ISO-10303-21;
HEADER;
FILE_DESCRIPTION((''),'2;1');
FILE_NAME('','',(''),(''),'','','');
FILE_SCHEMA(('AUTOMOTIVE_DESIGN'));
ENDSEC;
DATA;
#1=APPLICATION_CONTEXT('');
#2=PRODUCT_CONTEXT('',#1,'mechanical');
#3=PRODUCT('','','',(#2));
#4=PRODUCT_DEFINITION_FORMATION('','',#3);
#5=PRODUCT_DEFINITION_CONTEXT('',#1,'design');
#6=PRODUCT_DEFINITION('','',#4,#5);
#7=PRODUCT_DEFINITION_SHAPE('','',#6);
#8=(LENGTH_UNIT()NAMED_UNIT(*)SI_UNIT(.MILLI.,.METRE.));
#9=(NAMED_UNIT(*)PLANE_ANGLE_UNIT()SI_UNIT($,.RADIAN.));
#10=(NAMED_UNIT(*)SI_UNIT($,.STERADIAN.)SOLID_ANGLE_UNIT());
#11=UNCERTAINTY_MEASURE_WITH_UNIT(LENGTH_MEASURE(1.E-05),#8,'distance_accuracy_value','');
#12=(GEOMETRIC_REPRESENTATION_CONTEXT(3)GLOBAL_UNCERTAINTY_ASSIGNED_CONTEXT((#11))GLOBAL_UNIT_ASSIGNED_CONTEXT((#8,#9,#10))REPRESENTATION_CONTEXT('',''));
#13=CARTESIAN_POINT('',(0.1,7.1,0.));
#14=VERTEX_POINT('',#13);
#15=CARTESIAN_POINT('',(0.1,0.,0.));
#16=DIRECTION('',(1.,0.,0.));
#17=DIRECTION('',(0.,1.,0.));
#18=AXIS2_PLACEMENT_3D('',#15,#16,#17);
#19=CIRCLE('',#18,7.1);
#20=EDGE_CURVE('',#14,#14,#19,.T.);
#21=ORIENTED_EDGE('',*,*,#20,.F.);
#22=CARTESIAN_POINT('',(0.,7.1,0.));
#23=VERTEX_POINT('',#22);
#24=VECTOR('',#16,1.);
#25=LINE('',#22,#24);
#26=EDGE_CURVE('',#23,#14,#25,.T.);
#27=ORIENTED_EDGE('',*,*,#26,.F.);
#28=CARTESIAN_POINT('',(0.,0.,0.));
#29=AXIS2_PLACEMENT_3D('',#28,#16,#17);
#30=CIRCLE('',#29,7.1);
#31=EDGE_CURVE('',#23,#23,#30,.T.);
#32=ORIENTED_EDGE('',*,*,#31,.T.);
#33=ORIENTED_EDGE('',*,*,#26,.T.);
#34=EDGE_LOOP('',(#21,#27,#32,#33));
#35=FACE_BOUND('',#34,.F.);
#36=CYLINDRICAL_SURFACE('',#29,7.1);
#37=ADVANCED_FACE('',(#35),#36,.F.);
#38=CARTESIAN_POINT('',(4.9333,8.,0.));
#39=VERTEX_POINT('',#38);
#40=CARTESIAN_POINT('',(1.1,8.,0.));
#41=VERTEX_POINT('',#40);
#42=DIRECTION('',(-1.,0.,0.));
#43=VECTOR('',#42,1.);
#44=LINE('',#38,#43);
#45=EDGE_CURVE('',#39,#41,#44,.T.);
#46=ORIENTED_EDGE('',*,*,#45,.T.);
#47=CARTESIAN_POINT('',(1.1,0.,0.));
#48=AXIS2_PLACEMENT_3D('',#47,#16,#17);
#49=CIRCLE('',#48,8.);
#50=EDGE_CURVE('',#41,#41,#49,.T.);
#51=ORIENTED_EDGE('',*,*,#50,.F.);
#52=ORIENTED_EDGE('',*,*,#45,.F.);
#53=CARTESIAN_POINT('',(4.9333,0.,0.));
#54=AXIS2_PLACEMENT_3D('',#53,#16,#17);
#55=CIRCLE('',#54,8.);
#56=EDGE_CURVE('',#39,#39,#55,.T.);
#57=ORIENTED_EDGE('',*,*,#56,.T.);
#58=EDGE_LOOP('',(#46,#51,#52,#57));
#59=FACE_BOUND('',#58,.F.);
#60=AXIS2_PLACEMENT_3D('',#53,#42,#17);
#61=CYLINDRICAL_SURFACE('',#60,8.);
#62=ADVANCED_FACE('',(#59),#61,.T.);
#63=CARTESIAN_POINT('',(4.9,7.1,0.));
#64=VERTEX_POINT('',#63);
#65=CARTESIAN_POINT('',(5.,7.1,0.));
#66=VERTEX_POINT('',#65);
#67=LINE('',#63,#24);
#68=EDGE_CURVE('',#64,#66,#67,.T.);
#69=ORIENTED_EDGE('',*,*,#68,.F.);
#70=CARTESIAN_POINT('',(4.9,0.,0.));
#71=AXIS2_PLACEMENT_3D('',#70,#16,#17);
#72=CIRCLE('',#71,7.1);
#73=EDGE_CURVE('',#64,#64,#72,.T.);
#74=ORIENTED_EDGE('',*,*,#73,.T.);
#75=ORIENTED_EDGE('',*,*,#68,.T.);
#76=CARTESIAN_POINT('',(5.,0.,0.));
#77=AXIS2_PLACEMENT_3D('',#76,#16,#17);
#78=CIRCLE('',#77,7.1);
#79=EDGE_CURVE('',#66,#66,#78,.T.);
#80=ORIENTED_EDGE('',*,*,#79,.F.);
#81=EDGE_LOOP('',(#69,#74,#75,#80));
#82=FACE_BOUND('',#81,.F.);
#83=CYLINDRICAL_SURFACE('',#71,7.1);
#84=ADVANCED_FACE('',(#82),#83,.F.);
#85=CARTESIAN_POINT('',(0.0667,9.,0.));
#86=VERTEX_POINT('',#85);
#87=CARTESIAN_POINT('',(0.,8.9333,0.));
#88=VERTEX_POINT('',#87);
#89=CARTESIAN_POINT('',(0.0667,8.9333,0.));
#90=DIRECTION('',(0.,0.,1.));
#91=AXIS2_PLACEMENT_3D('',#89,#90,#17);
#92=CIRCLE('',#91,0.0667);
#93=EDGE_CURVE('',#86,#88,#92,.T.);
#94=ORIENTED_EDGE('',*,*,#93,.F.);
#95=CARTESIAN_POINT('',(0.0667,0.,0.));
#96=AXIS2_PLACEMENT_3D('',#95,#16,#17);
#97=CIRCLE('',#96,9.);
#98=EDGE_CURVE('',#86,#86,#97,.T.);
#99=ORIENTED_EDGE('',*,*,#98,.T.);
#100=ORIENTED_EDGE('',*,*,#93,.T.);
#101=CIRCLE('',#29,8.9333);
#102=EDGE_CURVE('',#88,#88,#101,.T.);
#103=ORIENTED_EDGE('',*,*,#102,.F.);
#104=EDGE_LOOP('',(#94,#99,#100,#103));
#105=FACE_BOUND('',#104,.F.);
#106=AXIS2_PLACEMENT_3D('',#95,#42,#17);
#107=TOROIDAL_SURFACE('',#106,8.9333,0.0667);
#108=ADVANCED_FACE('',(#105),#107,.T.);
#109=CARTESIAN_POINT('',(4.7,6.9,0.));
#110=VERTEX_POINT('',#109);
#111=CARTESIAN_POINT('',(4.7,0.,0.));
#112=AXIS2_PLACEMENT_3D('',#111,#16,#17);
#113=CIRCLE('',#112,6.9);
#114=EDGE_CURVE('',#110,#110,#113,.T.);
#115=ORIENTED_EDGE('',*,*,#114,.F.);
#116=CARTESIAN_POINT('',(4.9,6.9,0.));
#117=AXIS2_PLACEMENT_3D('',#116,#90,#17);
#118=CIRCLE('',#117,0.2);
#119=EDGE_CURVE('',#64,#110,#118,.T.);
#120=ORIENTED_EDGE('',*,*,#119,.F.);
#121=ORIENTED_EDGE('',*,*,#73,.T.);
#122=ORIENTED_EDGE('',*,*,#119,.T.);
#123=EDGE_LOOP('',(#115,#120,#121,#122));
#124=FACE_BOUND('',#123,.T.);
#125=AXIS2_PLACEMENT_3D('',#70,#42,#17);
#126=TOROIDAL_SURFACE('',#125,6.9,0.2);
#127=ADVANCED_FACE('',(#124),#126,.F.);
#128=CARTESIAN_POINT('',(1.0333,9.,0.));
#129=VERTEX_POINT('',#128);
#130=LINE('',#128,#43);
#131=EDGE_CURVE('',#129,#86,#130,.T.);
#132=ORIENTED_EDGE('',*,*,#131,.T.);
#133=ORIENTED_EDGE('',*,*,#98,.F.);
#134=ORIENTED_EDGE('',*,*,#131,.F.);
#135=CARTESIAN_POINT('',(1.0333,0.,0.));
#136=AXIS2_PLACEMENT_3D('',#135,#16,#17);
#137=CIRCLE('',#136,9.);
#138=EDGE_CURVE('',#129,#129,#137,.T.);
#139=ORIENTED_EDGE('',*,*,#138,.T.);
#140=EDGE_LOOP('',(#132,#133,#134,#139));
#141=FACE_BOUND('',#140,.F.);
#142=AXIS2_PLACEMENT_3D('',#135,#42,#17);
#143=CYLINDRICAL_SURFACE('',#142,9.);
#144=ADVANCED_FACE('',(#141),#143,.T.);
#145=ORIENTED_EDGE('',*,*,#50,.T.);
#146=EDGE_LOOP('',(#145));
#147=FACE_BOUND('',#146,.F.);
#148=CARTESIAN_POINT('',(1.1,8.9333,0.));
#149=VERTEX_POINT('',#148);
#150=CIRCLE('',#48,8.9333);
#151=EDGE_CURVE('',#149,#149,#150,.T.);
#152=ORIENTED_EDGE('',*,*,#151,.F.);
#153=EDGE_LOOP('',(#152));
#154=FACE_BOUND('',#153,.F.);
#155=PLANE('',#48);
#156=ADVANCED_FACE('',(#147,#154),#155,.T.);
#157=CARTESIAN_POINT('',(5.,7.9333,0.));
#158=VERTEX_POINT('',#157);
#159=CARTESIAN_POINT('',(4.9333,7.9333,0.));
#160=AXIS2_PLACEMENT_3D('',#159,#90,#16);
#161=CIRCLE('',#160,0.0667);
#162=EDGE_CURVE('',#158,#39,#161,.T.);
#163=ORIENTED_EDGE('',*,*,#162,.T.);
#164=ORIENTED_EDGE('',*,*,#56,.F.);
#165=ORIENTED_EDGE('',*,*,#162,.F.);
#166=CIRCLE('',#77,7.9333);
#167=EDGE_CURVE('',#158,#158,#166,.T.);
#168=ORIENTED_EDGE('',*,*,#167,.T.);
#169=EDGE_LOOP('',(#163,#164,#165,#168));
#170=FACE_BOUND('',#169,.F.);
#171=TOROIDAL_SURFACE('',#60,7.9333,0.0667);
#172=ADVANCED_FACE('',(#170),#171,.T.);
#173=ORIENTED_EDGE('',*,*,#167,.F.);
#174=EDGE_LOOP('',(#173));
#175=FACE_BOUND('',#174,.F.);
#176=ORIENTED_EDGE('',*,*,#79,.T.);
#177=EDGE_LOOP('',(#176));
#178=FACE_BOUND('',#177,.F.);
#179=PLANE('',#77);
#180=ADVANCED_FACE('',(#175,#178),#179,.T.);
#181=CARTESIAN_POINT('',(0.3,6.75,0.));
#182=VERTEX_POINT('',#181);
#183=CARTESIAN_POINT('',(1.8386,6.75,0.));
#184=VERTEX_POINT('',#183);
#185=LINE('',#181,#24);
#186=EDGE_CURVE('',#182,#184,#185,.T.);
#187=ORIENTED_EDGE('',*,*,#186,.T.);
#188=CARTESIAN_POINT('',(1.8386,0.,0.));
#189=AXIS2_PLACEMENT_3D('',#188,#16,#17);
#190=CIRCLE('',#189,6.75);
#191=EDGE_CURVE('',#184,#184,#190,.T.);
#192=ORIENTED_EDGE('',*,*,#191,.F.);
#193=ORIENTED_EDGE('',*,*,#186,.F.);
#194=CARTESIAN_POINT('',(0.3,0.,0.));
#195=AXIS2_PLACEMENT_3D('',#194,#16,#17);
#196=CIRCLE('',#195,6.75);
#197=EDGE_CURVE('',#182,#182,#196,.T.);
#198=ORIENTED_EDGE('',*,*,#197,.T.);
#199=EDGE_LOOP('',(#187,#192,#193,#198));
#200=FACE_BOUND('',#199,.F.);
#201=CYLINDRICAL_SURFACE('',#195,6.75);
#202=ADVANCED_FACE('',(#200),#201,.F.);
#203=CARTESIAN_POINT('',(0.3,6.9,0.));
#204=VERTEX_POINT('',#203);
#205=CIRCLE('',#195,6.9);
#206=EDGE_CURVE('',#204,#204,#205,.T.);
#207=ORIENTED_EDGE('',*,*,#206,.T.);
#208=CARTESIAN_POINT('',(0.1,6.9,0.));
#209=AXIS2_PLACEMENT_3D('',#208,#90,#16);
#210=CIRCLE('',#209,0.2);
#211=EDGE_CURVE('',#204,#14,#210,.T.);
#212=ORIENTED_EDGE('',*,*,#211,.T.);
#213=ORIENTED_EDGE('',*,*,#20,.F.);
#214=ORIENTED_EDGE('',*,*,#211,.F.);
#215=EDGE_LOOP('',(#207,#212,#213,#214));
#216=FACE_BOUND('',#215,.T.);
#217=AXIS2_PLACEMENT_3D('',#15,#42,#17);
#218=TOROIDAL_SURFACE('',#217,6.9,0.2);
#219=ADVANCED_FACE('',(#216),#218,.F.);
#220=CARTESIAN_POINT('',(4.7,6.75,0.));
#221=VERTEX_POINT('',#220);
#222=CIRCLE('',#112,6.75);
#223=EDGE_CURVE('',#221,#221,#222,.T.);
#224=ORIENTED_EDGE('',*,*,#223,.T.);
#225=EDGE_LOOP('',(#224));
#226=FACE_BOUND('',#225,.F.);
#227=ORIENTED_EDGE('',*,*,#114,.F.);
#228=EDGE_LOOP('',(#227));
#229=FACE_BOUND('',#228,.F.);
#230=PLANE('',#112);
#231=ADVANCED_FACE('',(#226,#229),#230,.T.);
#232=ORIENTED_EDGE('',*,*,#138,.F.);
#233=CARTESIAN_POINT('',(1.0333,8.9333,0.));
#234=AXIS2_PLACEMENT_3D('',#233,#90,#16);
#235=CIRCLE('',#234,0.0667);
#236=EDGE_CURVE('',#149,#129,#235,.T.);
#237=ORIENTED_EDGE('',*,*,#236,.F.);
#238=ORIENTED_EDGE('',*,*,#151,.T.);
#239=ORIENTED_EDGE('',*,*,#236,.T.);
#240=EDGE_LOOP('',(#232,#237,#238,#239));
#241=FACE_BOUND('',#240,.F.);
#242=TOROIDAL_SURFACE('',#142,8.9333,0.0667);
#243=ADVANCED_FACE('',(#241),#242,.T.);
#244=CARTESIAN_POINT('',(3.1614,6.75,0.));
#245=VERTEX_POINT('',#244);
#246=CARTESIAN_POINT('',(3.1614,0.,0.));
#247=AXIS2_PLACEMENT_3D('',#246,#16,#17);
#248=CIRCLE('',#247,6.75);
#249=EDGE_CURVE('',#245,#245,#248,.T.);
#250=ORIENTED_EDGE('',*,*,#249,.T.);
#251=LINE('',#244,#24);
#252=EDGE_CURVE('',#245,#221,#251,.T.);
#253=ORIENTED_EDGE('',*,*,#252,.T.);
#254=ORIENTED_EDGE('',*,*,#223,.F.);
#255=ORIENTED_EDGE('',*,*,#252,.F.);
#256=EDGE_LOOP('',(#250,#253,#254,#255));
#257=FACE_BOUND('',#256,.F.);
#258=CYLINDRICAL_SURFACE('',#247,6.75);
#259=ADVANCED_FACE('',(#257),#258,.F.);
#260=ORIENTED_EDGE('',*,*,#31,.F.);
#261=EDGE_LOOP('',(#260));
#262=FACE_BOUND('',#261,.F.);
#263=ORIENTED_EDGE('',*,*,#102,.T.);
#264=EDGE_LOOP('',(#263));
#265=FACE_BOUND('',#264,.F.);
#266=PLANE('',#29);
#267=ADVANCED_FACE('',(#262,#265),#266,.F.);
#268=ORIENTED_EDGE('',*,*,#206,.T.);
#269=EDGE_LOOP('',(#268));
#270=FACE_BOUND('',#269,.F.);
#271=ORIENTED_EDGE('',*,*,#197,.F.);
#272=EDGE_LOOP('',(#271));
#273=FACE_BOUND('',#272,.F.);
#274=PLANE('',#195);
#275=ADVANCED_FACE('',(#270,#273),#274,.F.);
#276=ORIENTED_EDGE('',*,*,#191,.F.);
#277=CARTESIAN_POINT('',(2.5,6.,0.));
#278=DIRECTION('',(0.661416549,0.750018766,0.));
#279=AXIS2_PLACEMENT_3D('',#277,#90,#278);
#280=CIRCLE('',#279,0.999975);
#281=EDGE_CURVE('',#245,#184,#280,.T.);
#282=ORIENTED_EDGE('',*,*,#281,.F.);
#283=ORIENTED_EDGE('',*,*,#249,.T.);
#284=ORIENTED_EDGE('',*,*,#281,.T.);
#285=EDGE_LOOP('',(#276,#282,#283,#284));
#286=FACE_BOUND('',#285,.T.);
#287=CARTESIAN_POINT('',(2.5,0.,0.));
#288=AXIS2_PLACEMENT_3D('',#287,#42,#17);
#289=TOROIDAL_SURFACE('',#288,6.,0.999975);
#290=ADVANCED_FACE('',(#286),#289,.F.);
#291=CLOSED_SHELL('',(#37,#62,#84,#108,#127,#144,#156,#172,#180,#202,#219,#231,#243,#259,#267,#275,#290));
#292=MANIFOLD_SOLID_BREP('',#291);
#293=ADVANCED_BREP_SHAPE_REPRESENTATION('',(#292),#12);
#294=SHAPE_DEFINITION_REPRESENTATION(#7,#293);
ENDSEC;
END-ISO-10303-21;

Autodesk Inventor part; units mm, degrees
ref_plane "YZ Plane" through (0, 0, 0) normal (1, 0, 0) x (0, 1, 0)
ref_plane "XZ Plane" through (0, 0, 0) normal (0, 1, 0) x (-1, 0, 0)
ref_plane "XY Plane" through (0, 0, 0) normal (0, 0, 1) x (1, 0, 0)
sketch "Sketch_21" plane through (0, 0, 0) normal (0, 0, 1) x (1, 0, 0)
  line L0 (50, 0) -> (-50, 0)
  line L1 (0, 8.9333) -> (0, 7.1)
  line L2 (0, 7.1) -> (0.1, 7.1)
  arc A0 (0.3, 6.9) -> (0.1, 7.1) centre (0.1, 6.9) ccw
  line L3 (0.3, 6.9) -> (0.3, 6.75)
  line L4 (0.3, 6.75) -> (1.8386, 6.75)
  arc A1 (3.1614, 6.75) -> (1.8386, 6.75) centre (2.5, 6) ccw
  line L5 (3.1614, 6.75) -> (4.7, 6.75)
  line L6 (4.7, 6.75) -> (4.7, 6.9)
  arc A2 (4.9, 7.1) -> (4.7, 6.9) centre (4.9, 6.9) ccw
  line L7 (4.9, 7.1) -> (5, 7.1)
  line L8 (5, 7.1) -> (5, 7.9333)
  arc A3 (5, 7.9333) -> (4.9333, 8) centre (4.9333, 7.9333) ccw
  line L9 (4.9333, 8) -> (1.1, 8)
  line L10 (1.1, 8) -> (1.1, 8.9333)
  arc A4 (1.1, 8.9333) -> (1.0333, 9) centre (1.0333, 8.9333) ccw
  line L11 (1.0333, 9) -> (0.0667, 9)
  arc A5 (0.0667, 9) -> (0, 8.9333) centre (0.0667, 8.9333) ccw
revolve "Revolution1" add sketch "Sketch_21" angle 360 about axis through (50, 0, 0) along (1, 0, 0)
properties part number "SKF_W 628/8 R-2RS1_PART2"
